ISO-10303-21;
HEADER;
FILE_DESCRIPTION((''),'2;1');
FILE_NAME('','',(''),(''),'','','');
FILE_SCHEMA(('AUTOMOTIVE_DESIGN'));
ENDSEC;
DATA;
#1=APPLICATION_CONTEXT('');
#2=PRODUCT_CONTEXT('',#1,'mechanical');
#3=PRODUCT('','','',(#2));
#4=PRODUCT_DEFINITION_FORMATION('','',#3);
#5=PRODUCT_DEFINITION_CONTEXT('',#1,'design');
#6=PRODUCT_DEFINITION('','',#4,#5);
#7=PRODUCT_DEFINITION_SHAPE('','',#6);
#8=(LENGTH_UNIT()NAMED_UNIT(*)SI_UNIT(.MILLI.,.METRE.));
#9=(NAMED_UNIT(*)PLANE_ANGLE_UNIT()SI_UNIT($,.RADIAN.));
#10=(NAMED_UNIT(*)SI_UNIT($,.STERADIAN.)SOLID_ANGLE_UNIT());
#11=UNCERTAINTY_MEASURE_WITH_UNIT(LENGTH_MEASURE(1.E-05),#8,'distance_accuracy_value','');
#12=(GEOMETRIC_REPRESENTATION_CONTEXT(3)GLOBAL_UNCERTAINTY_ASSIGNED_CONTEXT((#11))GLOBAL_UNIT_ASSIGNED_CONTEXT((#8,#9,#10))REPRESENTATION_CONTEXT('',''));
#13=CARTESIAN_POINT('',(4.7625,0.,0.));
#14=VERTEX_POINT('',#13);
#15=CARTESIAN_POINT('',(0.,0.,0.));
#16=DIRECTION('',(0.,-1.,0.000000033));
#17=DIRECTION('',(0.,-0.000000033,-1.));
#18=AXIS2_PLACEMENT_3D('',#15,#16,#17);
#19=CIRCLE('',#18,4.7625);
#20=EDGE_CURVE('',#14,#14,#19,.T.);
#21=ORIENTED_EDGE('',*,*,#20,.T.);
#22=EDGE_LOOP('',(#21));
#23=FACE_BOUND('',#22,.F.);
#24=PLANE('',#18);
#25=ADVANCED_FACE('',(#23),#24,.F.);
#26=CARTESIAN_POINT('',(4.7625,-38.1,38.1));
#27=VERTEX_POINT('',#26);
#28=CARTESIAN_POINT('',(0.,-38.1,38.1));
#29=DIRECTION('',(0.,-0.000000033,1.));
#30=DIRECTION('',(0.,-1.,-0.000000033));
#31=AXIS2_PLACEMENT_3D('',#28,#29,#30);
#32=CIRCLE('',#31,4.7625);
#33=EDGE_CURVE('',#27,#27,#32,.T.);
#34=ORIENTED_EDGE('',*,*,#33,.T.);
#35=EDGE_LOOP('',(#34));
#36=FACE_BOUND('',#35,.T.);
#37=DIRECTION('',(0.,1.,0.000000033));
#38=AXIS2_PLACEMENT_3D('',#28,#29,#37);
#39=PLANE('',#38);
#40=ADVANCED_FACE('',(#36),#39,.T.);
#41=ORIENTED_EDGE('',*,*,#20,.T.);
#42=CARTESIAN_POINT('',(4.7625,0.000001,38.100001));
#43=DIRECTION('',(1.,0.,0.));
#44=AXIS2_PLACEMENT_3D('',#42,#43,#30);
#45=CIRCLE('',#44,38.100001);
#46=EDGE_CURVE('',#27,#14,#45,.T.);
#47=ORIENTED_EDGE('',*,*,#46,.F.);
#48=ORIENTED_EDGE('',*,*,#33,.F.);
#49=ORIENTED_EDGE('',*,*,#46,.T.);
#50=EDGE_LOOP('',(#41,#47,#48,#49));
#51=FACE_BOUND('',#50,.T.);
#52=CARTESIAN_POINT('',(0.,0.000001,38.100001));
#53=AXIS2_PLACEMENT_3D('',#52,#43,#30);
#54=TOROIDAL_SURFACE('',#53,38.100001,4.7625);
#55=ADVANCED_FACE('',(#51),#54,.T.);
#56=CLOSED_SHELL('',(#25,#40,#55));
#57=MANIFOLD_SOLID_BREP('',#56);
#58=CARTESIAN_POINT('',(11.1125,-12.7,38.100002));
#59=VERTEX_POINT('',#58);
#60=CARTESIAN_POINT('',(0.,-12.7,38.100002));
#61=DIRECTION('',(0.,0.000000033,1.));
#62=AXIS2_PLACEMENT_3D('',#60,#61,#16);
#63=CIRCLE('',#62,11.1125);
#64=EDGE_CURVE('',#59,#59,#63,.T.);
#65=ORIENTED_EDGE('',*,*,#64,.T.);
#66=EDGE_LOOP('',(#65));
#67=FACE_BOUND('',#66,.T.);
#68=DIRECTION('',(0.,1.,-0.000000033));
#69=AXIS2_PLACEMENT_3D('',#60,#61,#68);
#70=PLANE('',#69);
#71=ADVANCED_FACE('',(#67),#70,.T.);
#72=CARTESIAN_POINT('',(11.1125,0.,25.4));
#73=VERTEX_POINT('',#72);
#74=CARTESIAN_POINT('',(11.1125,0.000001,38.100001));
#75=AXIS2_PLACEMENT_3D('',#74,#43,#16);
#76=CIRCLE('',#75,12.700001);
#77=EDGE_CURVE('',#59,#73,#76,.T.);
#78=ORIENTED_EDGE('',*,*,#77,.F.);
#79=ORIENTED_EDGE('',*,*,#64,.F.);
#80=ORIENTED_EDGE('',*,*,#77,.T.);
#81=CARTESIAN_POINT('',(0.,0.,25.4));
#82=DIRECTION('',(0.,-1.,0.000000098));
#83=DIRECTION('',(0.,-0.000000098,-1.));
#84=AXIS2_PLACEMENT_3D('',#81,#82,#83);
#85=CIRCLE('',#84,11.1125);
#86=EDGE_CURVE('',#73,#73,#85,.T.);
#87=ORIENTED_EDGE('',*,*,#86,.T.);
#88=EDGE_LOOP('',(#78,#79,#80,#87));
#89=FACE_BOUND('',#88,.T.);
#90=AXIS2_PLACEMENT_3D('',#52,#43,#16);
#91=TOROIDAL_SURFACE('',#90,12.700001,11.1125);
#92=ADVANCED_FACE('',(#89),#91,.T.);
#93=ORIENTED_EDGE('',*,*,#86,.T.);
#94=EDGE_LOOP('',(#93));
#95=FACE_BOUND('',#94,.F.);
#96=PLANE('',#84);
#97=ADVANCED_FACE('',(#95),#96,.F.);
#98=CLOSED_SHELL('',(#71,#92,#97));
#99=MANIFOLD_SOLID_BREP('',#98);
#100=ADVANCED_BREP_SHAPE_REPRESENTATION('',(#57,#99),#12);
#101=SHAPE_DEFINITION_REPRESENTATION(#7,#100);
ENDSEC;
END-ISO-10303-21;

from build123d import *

# Parameters (mm, degrees)
F0_R   = 11.1125
F0_R_2 = 4.7625


with BuildPart() as f2:
    # F2: sweep along a path in F1
    with BuildLine(Plane.YZ) as f2_path:
        ThreePointArc((-38.1, 38.1), (-26.940768, 11.159232), (0, 0))
    # F0 (on Front) → F2 (sweep)
    with BuildSketch(Plane.XZ):
        with Locations((0, 25.4)):
            Circle(F0_R)
        Circle(F0_R_2)
    sweep(path=f2_path.line)


solid = f2.part
